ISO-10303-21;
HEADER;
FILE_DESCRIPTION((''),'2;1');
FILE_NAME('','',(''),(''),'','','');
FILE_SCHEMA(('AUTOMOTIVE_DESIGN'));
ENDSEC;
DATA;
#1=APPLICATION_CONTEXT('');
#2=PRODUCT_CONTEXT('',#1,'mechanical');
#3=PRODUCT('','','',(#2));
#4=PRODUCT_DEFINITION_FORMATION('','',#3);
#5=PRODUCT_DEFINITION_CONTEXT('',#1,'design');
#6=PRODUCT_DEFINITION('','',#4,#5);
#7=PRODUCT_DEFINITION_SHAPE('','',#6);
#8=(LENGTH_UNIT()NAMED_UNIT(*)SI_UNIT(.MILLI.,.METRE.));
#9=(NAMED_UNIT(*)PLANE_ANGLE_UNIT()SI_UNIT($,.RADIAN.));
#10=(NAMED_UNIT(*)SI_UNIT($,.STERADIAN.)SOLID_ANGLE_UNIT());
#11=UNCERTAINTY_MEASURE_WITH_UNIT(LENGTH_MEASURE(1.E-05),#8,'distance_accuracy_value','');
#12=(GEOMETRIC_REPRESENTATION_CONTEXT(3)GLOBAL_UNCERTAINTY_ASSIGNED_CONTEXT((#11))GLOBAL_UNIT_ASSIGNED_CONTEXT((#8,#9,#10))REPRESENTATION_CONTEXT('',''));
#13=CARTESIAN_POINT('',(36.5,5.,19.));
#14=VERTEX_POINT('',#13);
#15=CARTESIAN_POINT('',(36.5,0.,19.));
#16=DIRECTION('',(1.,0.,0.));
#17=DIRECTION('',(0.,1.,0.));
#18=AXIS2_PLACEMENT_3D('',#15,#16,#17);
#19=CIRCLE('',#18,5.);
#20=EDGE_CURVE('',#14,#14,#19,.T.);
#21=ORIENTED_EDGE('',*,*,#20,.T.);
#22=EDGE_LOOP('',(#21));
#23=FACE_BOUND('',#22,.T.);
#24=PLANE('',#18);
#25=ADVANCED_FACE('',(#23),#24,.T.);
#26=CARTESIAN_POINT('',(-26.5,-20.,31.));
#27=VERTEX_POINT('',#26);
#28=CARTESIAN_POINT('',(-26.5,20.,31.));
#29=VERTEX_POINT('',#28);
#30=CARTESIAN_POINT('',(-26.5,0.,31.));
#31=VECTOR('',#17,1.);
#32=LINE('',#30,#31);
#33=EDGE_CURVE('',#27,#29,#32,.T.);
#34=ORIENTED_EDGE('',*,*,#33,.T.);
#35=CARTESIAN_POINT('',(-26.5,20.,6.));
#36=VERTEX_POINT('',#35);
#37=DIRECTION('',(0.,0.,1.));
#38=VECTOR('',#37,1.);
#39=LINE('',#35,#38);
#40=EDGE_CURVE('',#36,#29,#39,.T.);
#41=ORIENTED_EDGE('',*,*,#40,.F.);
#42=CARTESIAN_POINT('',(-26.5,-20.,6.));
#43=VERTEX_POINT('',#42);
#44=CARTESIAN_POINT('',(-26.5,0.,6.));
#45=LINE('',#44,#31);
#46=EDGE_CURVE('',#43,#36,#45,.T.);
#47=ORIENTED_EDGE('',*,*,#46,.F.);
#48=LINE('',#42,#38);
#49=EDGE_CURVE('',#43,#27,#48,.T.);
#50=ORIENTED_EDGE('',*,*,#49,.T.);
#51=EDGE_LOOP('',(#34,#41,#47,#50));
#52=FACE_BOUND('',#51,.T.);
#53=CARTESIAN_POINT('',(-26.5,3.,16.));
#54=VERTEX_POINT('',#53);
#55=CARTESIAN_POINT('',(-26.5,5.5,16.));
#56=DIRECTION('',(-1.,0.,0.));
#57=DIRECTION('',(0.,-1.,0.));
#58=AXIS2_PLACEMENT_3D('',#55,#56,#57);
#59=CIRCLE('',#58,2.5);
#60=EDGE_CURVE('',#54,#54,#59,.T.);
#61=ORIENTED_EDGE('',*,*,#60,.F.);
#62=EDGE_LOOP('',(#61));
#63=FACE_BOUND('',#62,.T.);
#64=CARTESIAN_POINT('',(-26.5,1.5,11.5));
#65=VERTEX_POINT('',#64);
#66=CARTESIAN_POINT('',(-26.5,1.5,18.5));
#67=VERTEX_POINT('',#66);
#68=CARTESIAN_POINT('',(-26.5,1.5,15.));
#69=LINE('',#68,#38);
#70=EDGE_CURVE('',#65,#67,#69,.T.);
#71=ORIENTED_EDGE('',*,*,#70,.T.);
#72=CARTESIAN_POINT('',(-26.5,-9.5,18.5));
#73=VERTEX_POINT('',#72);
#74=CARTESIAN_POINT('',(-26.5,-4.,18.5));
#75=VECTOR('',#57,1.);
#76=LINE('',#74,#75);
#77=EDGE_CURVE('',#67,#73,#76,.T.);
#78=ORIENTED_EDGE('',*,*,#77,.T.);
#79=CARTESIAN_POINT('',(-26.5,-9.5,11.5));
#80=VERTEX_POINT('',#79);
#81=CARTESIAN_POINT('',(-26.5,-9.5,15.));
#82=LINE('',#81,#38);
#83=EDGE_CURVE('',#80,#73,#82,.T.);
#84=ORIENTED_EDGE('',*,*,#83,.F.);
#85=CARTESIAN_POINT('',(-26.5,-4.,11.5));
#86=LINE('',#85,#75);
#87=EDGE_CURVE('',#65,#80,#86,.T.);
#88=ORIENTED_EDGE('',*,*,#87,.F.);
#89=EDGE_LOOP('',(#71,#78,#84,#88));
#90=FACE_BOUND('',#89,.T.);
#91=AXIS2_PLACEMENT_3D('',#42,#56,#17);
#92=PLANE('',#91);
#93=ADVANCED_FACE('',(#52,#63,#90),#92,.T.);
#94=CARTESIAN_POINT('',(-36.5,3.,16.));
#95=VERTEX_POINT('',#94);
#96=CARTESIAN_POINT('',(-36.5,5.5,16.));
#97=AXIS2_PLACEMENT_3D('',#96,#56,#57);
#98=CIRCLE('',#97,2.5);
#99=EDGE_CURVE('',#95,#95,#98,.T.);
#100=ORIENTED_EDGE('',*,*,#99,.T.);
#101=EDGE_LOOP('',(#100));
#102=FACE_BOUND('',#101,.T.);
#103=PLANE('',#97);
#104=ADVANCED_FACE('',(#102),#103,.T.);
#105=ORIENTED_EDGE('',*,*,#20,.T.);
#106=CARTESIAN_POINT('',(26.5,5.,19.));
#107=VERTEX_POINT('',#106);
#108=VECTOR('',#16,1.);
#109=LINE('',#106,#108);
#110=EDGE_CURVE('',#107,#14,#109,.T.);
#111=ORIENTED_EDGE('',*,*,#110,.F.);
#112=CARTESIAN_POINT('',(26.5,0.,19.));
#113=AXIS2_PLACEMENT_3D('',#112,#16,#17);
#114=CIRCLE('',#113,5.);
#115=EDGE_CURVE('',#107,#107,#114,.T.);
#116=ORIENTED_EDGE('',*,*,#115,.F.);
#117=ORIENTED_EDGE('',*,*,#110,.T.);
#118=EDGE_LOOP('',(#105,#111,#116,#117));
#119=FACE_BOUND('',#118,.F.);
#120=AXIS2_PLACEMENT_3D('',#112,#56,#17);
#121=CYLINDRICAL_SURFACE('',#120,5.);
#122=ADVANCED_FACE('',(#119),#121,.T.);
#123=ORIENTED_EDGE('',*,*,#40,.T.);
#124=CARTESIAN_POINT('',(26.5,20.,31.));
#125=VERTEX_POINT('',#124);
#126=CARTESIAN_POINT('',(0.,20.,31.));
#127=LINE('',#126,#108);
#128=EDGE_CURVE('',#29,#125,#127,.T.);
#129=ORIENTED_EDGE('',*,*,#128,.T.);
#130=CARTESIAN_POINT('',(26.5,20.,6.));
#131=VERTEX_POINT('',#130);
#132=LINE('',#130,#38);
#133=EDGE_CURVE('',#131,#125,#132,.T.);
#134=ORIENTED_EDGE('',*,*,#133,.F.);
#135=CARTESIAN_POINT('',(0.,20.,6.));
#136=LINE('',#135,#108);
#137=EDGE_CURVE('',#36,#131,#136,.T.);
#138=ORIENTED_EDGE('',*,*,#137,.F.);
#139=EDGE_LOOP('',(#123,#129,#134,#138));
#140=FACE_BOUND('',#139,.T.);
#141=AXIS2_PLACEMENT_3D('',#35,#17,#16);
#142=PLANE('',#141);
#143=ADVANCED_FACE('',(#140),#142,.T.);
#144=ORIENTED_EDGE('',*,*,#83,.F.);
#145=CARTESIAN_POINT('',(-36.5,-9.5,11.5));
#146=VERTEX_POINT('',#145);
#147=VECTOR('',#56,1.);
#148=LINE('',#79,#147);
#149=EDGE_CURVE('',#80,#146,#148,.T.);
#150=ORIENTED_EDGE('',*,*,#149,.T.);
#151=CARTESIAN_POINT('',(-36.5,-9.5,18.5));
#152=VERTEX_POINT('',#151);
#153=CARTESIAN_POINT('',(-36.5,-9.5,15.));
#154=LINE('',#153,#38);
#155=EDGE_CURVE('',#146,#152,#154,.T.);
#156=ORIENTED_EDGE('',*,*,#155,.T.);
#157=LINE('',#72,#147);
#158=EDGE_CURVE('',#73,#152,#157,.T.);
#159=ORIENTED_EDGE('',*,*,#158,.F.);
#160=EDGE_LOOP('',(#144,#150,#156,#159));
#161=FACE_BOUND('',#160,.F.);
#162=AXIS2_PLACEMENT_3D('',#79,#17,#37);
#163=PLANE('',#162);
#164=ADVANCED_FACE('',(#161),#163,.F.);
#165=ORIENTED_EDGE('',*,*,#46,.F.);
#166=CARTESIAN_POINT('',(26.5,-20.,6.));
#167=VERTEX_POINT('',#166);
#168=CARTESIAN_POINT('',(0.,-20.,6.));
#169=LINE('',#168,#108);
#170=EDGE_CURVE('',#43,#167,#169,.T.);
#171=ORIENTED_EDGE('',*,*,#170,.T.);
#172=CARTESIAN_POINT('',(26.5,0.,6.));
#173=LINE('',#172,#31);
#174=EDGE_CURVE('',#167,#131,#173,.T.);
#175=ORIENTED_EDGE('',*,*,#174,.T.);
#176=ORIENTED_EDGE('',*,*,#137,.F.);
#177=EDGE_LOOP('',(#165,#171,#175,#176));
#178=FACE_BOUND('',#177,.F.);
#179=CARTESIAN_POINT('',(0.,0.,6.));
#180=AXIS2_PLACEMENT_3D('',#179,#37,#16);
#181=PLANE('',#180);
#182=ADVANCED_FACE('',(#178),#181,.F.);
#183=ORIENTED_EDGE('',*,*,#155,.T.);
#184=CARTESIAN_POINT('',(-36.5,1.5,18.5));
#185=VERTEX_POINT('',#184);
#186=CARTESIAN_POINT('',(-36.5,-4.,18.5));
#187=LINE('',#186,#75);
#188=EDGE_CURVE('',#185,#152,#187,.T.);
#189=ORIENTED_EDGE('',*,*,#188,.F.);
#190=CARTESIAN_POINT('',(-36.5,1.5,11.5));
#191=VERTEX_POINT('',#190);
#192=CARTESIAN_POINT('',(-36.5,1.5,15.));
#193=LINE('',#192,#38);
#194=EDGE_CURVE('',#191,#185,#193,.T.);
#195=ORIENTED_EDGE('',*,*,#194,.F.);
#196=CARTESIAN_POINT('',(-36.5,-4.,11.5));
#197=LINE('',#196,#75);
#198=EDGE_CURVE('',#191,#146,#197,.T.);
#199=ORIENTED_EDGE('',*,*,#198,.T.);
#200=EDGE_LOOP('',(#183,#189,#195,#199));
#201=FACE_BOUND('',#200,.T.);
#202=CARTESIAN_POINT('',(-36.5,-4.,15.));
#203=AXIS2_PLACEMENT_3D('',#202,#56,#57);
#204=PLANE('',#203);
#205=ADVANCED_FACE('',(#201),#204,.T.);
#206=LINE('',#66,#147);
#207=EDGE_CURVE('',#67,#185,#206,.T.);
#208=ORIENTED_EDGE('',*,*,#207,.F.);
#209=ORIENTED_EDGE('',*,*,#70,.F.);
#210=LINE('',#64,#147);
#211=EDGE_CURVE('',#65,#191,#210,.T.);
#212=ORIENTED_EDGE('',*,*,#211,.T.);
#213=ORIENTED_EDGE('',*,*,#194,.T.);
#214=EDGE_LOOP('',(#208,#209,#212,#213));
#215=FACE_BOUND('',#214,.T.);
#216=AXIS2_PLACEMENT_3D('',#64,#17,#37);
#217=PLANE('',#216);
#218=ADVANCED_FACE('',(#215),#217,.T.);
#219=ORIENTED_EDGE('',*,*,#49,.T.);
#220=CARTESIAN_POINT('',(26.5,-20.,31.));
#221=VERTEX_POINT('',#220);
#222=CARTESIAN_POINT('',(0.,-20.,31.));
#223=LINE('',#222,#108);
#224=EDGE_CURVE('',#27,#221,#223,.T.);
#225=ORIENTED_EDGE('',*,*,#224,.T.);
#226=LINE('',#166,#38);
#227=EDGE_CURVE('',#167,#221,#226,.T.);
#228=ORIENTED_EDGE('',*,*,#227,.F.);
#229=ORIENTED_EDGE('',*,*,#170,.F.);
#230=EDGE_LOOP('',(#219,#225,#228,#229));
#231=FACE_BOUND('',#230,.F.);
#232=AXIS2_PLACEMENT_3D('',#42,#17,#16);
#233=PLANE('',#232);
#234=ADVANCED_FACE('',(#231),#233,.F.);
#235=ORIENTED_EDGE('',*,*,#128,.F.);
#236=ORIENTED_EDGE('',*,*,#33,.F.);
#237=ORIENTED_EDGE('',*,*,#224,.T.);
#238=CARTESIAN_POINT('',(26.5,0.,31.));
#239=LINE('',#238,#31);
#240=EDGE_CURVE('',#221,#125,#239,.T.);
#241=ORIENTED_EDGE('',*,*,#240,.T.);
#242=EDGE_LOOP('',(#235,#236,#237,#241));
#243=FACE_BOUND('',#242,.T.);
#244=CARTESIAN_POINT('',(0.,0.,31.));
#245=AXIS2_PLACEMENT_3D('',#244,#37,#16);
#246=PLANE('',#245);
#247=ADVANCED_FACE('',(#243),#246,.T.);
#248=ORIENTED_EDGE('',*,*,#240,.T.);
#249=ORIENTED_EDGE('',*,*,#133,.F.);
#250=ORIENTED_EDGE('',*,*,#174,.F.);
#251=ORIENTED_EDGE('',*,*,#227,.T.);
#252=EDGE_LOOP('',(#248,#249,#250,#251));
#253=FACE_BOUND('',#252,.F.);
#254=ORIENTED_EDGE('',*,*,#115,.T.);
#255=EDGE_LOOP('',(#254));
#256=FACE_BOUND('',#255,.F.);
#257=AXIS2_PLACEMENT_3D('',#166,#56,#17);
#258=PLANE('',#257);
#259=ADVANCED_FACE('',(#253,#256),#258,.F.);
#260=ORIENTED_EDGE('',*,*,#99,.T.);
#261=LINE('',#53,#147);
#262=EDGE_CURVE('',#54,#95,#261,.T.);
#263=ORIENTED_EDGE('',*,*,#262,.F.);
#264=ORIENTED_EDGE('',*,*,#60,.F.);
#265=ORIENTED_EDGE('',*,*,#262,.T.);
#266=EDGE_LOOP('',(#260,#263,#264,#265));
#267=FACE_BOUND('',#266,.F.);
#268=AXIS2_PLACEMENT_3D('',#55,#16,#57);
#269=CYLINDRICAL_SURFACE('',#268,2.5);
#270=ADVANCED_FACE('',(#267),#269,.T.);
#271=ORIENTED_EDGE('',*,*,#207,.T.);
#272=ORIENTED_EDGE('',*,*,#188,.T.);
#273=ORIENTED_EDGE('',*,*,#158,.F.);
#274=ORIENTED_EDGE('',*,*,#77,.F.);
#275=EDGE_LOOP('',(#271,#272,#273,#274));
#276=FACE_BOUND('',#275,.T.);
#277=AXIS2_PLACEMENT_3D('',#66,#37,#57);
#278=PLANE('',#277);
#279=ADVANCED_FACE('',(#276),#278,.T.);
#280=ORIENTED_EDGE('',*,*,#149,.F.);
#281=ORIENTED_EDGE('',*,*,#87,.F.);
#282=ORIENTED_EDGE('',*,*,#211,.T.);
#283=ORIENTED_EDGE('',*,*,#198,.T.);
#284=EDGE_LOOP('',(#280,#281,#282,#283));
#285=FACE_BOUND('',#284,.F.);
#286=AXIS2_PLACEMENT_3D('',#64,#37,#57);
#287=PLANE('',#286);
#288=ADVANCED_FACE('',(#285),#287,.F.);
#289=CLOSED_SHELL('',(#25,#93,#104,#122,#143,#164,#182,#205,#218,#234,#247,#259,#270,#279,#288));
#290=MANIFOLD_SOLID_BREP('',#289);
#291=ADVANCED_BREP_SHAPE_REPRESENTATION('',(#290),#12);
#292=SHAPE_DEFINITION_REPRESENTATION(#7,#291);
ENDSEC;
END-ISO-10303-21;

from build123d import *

# Parameters (mm, degrees)
SKETCH001_W  = 53
SKETCH001_H  = 40
PAD001_DEPTH = 25
SKETCH002_R  = 5
PAD002_DEPTH = 10
SKETCH003_R  = 2.5
SKETCH003_W  = 11
SKETCH003_H  = 7
PAD003_DEPTH = 10


with BuildPart() as part:
    # Sketch001 → Pad001 (new body)
    with BuildSketch(Plane.XY):
        Rectangle(SKETCH001_W, SKETCH001_H)
    extrude(amount=PAD001_DEPTH)

    # Sketch002 (on Face2 of Pad001) → Pad002 (join)
    with BuildSketch(Plane.YZ.offset(26.5)):
        with Locations((0, 13)):
            Circle(SKETCH002_R)
    extrude(amount=PAD002_DEPTH)

    # Sketch003 (on Face2 of Pad002) → Pad003 (join)
    with BuildSketch(Plane(origin=(-26.5, 0, 0), x_dir=(0, -1, 0), z_dir=(-1, 0, 0))):
        with Locations((-5.5, 10)):
            Circle(SKETCH003_R)
        with Locations((4, 9)):
            Rectangle(SKETCH003_W, SKETCH003_H)
    extrude(amount=PAD003_DEPTH)


with BuildPart() as part_1:
    # Body001 placement: moved
    add(part.part.moved(Location((0, 0, 6))))


solid = part_1.part
